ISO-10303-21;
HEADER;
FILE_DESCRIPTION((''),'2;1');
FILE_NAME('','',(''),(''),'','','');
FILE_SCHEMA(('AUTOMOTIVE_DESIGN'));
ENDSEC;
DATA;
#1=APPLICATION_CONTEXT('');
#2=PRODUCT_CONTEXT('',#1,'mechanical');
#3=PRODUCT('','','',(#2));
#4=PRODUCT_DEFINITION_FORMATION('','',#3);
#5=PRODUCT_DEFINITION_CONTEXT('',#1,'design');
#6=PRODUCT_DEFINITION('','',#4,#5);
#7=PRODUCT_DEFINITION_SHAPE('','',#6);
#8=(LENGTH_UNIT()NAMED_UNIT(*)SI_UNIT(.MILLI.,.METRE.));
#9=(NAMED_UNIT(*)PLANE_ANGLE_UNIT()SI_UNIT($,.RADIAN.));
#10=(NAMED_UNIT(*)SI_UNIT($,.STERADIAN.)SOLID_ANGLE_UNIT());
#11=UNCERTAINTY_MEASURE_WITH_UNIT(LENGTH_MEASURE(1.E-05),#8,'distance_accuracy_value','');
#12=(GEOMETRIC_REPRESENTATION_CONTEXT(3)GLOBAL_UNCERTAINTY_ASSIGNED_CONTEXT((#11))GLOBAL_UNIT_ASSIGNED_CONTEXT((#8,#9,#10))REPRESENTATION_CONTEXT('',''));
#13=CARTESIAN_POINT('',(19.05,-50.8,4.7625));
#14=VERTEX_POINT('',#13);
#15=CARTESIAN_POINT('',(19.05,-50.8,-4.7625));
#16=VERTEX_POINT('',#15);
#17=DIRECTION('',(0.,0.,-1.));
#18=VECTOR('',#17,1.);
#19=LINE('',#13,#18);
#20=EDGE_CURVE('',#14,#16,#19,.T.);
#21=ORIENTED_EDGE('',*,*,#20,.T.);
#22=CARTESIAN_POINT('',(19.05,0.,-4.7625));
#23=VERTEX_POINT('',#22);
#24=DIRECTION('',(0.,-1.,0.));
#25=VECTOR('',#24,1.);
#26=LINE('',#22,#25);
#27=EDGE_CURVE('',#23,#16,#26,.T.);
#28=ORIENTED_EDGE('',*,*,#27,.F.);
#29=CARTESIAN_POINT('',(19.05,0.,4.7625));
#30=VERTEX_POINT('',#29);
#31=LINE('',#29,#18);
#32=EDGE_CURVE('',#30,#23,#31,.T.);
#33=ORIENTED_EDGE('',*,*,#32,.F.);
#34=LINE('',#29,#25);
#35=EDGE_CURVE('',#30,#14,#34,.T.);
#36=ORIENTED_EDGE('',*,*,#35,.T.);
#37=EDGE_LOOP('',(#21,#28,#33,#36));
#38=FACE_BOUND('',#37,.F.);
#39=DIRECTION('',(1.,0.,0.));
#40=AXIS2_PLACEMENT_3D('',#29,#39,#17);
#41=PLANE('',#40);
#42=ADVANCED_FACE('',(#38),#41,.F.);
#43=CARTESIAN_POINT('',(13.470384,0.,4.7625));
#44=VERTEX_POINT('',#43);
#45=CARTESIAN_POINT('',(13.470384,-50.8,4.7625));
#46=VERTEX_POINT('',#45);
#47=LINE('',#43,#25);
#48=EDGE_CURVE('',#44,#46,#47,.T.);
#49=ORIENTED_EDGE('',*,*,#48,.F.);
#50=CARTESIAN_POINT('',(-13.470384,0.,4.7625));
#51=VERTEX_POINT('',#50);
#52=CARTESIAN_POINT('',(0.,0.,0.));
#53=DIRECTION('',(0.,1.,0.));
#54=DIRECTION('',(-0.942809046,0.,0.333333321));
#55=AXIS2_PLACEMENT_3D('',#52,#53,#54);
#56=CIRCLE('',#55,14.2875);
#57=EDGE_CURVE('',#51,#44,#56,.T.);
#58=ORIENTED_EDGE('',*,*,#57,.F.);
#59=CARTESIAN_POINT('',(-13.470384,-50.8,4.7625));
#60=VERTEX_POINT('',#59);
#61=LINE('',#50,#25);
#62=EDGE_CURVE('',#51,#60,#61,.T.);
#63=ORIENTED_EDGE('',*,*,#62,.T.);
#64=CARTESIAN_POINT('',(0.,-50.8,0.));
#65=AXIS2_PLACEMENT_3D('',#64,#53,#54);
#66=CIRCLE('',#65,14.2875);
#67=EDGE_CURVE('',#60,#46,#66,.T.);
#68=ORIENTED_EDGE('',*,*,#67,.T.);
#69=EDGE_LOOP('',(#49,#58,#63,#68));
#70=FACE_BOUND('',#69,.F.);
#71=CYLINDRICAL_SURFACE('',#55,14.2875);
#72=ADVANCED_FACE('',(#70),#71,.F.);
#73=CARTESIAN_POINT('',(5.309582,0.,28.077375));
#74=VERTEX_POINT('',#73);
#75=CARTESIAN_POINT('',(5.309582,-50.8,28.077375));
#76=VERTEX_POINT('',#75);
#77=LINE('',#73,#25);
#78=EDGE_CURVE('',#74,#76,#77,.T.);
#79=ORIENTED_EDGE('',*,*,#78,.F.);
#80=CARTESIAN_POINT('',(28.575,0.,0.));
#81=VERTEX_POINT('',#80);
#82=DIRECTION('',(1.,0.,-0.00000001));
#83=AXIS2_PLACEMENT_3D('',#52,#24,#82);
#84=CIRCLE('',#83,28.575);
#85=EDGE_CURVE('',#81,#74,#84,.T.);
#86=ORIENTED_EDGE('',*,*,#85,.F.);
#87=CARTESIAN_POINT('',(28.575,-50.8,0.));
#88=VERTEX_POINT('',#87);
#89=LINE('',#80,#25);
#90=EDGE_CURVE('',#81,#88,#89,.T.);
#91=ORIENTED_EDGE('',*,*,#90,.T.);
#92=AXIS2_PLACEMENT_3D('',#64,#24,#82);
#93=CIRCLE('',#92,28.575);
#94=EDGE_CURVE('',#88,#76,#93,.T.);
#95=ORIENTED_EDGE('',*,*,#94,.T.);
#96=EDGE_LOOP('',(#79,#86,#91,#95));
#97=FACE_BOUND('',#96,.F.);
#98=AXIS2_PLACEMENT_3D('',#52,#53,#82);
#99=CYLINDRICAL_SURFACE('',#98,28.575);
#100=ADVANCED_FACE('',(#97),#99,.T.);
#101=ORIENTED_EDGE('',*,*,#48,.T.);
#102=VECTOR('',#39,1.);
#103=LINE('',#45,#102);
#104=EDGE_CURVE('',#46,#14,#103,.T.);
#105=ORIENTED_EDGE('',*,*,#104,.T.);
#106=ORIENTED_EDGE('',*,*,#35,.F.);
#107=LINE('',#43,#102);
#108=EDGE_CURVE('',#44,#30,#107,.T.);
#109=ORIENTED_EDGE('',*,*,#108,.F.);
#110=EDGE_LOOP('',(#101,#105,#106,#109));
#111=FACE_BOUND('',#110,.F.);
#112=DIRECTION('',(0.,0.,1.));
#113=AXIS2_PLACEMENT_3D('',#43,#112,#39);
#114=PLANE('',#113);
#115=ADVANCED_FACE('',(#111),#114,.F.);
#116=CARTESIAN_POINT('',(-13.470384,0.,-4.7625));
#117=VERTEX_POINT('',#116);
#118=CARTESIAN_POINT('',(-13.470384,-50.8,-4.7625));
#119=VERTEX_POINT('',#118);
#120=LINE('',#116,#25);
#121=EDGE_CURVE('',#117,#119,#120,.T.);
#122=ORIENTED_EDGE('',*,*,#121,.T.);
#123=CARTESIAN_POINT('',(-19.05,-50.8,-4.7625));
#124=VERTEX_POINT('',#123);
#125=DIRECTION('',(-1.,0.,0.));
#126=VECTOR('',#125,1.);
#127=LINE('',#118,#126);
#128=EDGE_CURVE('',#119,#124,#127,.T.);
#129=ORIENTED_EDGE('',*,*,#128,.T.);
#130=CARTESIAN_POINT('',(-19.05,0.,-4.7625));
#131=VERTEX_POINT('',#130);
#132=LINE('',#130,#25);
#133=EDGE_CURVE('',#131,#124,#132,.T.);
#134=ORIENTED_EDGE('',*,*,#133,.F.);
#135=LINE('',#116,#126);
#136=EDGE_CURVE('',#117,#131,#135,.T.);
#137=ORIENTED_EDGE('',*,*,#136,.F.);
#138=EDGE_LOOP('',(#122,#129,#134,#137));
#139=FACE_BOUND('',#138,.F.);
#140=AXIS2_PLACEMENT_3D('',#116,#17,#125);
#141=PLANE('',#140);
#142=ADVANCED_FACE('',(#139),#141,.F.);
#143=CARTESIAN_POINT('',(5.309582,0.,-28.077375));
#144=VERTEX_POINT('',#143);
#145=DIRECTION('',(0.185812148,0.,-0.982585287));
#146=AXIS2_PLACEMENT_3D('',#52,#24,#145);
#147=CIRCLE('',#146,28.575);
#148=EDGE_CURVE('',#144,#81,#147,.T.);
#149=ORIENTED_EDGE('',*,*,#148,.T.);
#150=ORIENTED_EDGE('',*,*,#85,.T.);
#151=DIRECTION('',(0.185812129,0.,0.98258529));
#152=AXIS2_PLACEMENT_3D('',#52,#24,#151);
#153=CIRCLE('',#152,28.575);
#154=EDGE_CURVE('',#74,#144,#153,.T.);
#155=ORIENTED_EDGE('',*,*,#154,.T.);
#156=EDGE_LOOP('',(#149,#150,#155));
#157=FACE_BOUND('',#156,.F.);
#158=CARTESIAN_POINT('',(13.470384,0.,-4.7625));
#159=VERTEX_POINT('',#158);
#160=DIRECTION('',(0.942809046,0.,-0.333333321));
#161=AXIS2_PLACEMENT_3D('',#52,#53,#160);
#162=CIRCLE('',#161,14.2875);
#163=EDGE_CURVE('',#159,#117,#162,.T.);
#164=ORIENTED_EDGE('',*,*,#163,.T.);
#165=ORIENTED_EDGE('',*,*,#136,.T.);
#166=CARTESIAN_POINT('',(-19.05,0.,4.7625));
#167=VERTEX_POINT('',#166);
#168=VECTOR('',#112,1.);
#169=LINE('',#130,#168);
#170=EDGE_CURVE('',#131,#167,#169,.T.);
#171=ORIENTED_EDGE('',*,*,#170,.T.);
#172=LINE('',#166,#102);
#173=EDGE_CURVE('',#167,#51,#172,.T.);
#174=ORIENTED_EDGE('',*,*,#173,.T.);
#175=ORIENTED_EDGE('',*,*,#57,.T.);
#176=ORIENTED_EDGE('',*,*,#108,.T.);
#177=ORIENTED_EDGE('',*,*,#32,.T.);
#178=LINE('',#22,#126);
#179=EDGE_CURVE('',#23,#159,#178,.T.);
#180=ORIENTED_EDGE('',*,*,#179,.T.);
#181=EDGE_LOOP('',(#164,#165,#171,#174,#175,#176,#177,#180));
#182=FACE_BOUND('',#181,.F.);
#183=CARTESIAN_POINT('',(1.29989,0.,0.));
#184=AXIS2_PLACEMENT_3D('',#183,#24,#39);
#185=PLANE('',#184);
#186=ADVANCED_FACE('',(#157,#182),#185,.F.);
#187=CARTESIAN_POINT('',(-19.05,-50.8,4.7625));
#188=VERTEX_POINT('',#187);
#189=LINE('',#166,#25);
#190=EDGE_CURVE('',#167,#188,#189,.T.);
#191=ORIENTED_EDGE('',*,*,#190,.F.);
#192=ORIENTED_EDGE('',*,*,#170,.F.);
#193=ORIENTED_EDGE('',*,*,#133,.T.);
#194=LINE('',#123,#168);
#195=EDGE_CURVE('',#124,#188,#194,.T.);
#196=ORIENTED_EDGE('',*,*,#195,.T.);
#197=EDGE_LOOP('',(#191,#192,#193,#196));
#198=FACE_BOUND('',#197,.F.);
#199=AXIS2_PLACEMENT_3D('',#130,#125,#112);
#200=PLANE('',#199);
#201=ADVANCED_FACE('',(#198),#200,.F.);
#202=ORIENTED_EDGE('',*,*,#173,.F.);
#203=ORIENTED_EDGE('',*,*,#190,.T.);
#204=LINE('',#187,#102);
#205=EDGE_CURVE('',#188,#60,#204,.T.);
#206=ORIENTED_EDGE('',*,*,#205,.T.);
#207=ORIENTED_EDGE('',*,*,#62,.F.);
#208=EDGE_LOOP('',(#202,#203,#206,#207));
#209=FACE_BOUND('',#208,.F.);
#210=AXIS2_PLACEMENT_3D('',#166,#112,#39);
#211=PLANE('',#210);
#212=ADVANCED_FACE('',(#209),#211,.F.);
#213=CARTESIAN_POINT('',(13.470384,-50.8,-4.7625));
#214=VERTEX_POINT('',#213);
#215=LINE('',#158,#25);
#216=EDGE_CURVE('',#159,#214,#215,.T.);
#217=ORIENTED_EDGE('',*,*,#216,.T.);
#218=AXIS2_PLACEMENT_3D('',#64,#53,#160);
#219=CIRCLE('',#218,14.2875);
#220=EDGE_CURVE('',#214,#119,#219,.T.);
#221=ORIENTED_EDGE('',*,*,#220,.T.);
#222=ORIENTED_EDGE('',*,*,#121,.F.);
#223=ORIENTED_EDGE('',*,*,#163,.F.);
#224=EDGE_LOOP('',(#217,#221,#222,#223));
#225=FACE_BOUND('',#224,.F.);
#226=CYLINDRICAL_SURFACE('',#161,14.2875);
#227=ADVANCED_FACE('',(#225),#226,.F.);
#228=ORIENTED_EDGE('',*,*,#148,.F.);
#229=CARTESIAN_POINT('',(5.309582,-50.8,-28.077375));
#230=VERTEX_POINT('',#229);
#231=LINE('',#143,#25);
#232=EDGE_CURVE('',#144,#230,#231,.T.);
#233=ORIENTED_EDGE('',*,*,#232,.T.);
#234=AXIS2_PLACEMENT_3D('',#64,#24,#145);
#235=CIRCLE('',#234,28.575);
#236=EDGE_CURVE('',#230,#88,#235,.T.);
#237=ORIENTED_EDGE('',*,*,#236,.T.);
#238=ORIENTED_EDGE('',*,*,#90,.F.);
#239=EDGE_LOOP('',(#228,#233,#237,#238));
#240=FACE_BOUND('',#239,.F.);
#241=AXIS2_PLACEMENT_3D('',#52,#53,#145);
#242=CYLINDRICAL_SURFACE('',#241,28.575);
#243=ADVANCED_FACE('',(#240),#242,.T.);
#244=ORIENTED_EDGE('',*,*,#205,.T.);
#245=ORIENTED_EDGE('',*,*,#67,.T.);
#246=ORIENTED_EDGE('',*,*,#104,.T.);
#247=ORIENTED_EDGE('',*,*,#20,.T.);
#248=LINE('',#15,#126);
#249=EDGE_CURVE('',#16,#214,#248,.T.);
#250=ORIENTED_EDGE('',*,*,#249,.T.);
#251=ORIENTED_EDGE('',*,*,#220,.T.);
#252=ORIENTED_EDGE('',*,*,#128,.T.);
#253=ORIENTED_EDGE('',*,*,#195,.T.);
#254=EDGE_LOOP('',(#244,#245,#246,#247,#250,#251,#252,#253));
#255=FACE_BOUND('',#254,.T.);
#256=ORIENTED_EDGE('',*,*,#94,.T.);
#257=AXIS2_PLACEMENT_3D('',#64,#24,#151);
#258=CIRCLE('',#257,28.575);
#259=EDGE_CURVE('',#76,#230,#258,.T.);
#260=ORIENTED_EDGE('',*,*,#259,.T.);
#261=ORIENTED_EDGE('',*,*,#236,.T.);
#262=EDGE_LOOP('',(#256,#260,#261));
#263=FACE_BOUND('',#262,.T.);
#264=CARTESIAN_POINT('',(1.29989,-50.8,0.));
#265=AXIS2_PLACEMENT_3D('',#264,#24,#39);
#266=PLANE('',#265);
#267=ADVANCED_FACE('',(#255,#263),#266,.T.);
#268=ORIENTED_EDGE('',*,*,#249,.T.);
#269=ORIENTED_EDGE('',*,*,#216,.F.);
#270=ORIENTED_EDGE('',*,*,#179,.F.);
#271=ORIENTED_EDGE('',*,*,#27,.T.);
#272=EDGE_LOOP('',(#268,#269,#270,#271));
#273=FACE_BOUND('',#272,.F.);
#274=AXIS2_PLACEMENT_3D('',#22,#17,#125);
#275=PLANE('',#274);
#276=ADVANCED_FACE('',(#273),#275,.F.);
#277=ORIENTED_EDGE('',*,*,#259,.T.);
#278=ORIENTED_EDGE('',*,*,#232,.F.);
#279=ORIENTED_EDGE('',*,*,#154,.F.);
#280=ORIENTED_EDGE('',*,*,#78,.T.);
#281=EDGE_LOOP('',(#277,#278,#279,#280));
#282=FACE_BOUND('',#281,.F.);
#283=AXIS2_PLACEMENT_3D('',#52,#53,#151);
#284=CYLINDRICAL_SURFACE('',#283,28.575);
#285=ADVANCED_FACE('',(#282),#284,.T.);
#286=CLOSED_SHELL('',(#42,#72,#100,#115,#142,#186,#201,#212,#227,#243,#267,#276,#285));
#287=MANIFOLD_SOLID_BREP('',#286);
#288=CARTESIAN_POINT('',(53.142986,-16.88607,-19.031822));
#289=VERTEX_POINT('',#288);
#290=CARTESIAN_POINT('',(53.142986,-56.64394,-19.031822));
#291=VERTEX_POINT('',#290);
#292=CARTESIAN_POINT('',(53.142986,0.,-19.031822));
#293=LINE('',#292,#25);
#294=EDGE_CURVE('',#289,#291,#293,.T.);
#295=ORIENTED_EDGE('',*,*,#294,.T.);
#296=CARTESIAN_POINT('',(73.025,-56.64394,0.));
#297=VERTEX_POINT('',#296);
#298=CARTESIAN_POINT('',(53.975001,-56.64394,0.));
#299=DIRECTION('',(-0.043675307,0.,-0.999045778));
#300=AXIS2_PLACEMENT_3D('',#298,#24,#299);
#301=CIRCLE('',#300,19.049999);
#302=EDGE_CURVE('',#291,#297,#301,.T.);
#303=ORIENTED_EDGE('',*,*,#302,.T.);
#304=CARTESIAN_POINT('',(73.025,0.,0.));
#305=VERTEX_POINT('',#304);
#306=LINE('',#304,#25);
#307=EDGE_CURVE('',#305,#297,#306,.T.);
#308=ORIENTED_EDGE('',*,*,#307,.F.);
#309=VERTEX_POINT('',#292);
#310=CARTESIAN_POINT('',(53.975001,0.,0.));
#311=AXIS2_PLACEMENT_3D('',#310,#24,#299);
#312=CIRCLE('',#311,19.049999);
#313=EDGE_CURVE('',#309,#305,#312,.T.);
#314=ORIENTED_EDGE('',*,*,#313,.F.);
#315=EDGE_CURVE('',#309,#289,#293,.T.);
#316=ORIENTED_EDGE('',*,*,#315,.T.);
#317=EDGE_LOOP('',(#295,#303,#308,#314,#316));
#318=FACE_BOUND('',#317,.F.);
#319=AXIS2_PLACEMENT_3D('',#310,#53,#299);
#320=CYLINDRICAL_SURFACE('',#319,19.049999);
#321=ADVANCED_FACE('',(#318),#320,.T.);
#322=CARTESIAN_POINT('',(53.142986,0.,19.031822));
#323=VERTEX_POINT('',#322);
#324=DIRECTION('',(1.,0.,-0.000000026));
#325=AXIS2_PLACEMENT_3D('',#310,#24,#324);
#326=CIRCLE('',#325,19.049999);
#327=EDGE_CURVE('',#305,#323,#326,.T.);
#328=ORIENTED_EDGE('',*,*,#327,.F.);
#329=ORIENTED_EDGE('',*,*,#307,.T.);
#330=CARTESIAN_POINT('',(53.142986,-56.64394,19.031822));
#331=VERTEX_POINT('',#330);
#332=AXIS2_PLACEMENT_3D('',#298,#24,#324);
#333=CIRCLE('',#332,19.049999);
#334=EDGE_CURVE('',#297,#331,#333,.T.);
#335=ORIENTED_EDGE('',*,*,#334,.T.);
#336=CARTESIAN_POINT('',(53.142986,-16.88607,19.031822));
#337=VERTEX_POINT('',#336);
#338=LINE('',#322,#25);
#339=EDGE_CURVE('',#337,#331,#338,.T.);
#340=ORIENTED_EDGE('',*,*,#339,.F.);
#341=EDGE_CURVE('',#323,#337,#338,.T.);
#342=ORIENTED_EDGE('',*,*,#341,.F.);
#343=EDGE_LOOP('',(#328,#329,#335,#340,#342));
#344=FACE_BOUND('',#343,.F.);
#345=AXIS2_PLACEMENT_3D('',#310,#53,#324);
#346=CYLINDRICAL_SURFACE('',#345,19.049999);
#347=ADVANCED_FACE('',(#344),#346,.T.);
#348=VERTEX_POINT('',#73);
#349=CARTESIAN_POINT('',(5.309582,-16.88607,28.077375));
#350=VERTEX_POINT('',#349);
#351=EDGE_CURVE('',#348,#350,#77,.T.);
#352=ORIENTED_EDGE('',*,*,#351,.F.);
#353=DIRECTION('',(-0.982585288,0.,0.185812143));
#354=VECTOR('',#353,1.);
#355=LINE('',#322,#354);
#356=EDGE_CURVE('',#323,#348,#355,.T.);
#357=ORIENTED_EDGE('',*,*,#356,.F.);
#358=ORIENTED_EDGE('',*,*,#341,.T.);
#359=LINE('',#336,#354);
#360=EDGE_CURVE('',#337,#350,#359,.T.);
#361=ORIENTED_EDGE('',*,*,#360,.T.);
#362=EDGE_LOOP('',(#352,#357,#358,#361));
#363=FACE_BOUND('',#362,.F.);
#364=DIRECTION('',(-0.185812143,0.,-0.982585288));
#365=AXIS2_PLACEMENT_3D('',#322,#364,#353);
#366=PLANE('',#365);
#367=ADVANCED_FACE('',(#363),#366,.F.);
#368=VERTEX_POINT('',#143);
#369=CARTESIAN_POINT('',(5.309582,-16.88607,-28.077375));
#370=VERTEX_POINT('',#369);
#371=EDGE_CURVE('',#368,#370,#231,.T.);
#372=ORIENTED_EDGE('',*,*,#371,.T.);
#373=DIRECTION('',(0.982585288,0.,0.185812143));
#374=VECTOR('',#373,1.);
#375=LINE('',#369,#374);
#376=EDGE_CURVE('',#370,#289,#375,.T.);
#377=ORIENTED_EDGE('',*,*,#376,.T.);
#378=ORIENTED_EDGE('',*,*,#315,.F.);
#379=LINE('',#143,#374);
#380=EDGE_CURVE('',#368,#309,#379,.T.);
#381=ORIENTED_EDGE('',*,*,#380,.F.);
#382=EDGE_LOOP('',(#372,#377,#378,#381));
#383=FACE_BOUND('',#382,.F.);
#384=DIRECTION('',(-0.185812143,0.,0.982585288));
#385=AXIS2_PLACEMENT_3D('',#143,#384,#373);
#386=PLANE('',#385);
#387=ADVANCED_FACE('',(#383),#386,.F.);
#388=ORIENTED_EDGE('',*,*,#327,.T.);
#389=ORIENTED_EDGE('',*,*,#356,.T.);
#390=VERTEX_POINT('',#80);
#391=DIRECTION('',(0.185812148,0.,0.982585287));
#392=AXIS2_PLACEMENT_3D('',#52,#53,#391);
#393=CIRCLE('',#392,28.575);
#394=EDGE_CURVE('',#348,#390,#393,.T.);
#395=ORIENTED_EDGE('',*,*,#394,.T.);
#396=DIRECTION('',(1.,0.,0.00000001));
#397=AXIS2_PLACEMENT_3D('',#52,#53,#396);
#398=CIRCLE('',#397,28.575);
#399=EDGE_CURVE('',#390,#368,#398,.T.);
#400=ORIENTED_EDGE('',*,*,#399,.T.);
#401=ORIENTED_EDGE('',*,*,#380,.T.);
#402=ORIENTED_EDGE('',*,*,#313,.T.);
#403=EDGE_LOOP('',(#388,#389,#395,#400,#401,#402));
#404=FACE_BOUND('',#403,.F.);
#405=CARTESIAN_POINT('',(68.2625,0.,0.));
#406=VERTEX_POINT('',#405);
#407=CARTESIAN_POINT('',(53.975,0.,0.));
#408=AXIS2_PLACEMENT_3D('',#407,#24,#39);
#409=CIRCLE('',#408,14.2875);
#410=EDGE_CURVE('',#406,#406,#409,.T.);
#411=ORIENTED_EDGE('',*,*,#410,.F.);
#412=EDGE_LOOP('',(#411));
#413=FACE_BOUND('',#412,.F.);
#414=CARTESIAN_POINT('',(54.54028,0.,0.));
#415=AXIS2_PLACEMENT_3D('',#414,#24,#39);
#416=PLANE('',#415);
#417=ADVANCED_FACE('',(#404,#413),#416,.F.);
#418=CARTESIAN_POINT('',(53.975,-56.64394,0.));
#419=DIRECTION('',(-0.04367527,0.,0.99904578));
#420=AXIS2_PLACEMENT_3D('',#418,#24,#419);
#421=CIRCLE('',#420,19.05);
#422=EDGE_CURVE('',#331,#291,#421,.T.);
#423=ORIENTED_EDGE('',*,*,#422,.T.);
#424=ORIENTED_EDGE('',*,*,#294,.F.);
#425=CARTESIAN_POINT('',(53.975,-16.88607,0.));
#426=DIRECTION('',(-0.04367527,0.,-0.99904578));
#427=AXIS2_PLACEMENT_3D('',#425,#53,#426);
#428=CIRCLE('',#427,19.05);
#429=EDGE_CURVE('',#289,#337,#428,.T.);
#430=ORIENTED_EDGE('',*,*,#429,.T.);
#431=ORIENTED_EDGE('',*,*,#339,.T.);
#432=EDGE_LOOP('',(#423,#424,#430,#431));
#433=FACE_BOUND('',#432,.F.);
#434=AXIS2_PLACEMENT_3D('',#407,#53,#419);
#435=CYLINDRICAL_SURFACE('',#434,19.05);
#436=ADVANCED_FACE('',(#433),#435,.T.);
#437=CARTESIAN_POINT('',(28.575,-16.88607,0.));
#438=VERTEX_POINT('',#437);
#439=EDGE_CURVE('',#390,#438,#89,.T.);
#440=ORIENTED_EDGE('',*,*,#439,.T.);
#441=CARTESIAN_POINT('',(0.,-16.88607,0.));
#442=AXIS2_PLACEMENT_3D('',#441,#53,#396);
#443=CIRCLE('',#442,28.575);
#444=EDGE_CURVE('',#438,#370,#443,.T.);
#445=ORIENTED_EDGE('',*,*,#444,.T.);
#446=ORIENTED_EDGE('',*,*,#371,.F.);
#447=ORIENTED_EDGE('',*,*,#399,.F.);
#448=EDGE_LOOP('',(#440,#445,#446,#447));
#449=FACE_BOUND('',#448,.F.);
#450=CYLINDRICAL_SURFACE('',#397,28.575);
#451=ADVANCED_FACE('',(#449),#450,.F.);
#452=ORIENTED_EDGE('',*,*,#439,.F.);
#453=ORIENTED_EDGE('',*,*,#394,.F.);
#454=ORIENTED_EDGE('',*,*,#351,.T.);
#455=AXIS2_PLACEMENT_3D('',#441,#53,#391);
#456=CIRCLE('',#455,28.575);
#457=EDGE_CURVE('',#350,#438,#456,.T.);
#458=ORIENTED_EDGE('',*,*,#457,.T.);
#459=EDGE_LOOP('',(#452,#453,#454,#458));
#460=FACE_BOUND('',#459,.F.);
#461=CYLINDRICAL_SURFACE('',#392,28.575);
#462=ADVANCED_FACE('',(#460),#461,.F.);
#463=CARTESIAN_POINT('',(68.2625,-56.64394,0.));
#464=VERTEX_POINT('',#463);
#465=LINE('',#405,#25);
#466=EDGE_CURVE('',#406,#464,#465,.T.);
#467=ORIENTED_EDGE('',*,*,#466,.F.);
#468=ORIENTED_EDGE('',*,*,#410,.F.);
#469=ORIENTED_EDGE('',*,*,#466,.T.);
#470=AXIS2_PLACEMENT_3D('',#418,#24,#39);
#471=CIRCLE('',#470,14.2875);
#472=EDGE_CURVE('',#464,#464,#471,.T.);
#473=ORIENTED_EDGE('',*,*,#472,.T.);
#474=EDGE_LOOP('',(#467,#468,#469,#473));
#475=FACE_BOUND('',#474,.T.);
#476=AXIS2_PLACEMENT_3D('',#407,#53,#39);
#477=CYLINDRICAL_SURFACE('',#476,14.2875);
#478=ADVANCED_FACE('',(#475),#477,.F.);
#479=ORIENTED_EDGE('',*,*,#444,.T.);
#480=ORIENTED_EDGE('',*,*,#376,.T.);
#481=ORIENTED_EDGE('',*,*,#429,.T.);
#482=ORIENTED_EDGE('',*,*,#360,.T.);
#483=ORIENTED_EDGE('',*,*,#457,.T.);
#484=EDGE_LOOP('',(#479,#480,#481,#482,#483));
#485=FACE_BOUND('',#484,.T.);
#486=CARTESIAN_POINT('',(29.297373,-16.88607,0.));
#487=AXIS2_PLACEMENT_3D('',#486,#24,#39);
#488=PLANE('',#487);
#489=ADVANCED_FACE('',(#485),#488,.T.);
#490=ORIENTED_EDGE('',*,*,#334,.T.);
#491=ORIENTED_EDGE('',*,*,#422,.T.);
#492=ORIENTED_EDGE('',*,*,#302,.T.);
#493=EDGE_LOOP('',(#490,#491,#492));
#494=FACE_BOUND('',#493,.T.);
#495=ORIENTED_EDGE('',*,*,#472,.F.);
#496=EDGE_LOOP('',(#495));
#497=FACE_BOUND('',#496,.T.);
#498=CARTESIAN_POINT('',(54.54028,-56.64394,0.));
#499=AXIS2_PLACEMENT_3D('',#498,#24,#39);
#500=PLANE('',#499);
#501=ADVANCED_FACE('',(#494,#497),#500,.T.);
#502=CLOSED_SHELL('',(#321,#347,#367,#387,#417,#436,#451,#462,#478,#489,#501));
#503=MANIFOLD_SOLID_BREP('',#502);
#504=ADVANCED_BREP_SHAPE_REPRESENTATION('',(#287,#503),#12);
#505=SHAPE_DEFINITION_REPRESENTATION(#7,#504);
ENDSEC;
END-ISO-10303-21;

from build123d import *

# Parameters (mm, degrees)
F1_DEPTH = 50.8
F2_DEPTH = 16.88607
F0_R     = 14.2875
F3_DEPTH = 56.64394


with BuildPart() as f1:
    # F0 (on Front) → F1 (new body)
    with BuildSketch(Plane.XZ):
        with BuildLine():
            ThreePointArc((5.309582, -28.077375), (22.002863, -18.231968), (28.575, 0))
            ThreePointArc((28.575, 0), (22.002863, 18.231968), (5.309582, 28.077375))
            ThreePointArc((5.309582, 28.077375), (-28.575, 0), (5.309582, -28.077375))
        make_face()
        with BuildLine():
            ThreePointArc((-13.470384, 4.7625), (0, 14.2875), (13.470384, 4.7625))
            Line((13.470384, 4.7625), (19.05, 4.7625))
            Line((19.05, 4.7625), (19.05, -4.7625))
            Line((19.05, -4.7625), (13.470384, -4.7625))
            ThreePointArc((13.470384, -4.7625), (0, -14.2875), (-13.470384, -4.7625))
            Line((-13.470384, -4.7625), (-19.05, -4.7625))
            Line((-19.05, -4.7625), (-19.05, 4.7625))
            Line((-19.05, 4.7625), (-13.470384, 4.7625))
        make_face(mode=Mode.SUBTRACT)
    extrude(amount=F1_DEPTH)


with BuildPart() as f2:
    # F0 (on Front) → F2 (new body)
    with BuildSketch(Plane.XZ):
        with BuildLine():
            ThreePointArc((5.309582, 28.077375), (22.002863, 18.231968), (28.575, 0))
            ThreePointArc((28.575, 0), (22.002863, -18.231968), (5.309582, -28.077375))
            Line((5.309582, -28.077375), (53.142986, -19.031822))
            ThreePointArc((53.142986, -19.031822), (34.925, 0), (53.142986, 19.031822))
            Line((53.142986, 19.031822), (5.309582, 28.077375))
        make_face()
    extrude(amount=F2_DEPTH)

    # F0 (on Front) → F3 (join)
    with BuildSketch(Plane.XZ):
        with BuildLine():
            ThreePointArc((73.025, 0), (67.147939, 13.761402), (53.142986, 19.031822))
            ThreePointArc((53.142986, 19.031822), (34.925, 0), (53.142986, -19.031822))
            ThreePointArc((53.142986, -19.031822), (67.147939, -13.761402), (73.025, 0))
        make_face()
        with Locations((53.975, 0)):
            Circle(F0_R, mode=Mode.SUBTRACT)
    extrude(amount=F3_DEPTH)


solid = Compound([f1.part, f2.part])
